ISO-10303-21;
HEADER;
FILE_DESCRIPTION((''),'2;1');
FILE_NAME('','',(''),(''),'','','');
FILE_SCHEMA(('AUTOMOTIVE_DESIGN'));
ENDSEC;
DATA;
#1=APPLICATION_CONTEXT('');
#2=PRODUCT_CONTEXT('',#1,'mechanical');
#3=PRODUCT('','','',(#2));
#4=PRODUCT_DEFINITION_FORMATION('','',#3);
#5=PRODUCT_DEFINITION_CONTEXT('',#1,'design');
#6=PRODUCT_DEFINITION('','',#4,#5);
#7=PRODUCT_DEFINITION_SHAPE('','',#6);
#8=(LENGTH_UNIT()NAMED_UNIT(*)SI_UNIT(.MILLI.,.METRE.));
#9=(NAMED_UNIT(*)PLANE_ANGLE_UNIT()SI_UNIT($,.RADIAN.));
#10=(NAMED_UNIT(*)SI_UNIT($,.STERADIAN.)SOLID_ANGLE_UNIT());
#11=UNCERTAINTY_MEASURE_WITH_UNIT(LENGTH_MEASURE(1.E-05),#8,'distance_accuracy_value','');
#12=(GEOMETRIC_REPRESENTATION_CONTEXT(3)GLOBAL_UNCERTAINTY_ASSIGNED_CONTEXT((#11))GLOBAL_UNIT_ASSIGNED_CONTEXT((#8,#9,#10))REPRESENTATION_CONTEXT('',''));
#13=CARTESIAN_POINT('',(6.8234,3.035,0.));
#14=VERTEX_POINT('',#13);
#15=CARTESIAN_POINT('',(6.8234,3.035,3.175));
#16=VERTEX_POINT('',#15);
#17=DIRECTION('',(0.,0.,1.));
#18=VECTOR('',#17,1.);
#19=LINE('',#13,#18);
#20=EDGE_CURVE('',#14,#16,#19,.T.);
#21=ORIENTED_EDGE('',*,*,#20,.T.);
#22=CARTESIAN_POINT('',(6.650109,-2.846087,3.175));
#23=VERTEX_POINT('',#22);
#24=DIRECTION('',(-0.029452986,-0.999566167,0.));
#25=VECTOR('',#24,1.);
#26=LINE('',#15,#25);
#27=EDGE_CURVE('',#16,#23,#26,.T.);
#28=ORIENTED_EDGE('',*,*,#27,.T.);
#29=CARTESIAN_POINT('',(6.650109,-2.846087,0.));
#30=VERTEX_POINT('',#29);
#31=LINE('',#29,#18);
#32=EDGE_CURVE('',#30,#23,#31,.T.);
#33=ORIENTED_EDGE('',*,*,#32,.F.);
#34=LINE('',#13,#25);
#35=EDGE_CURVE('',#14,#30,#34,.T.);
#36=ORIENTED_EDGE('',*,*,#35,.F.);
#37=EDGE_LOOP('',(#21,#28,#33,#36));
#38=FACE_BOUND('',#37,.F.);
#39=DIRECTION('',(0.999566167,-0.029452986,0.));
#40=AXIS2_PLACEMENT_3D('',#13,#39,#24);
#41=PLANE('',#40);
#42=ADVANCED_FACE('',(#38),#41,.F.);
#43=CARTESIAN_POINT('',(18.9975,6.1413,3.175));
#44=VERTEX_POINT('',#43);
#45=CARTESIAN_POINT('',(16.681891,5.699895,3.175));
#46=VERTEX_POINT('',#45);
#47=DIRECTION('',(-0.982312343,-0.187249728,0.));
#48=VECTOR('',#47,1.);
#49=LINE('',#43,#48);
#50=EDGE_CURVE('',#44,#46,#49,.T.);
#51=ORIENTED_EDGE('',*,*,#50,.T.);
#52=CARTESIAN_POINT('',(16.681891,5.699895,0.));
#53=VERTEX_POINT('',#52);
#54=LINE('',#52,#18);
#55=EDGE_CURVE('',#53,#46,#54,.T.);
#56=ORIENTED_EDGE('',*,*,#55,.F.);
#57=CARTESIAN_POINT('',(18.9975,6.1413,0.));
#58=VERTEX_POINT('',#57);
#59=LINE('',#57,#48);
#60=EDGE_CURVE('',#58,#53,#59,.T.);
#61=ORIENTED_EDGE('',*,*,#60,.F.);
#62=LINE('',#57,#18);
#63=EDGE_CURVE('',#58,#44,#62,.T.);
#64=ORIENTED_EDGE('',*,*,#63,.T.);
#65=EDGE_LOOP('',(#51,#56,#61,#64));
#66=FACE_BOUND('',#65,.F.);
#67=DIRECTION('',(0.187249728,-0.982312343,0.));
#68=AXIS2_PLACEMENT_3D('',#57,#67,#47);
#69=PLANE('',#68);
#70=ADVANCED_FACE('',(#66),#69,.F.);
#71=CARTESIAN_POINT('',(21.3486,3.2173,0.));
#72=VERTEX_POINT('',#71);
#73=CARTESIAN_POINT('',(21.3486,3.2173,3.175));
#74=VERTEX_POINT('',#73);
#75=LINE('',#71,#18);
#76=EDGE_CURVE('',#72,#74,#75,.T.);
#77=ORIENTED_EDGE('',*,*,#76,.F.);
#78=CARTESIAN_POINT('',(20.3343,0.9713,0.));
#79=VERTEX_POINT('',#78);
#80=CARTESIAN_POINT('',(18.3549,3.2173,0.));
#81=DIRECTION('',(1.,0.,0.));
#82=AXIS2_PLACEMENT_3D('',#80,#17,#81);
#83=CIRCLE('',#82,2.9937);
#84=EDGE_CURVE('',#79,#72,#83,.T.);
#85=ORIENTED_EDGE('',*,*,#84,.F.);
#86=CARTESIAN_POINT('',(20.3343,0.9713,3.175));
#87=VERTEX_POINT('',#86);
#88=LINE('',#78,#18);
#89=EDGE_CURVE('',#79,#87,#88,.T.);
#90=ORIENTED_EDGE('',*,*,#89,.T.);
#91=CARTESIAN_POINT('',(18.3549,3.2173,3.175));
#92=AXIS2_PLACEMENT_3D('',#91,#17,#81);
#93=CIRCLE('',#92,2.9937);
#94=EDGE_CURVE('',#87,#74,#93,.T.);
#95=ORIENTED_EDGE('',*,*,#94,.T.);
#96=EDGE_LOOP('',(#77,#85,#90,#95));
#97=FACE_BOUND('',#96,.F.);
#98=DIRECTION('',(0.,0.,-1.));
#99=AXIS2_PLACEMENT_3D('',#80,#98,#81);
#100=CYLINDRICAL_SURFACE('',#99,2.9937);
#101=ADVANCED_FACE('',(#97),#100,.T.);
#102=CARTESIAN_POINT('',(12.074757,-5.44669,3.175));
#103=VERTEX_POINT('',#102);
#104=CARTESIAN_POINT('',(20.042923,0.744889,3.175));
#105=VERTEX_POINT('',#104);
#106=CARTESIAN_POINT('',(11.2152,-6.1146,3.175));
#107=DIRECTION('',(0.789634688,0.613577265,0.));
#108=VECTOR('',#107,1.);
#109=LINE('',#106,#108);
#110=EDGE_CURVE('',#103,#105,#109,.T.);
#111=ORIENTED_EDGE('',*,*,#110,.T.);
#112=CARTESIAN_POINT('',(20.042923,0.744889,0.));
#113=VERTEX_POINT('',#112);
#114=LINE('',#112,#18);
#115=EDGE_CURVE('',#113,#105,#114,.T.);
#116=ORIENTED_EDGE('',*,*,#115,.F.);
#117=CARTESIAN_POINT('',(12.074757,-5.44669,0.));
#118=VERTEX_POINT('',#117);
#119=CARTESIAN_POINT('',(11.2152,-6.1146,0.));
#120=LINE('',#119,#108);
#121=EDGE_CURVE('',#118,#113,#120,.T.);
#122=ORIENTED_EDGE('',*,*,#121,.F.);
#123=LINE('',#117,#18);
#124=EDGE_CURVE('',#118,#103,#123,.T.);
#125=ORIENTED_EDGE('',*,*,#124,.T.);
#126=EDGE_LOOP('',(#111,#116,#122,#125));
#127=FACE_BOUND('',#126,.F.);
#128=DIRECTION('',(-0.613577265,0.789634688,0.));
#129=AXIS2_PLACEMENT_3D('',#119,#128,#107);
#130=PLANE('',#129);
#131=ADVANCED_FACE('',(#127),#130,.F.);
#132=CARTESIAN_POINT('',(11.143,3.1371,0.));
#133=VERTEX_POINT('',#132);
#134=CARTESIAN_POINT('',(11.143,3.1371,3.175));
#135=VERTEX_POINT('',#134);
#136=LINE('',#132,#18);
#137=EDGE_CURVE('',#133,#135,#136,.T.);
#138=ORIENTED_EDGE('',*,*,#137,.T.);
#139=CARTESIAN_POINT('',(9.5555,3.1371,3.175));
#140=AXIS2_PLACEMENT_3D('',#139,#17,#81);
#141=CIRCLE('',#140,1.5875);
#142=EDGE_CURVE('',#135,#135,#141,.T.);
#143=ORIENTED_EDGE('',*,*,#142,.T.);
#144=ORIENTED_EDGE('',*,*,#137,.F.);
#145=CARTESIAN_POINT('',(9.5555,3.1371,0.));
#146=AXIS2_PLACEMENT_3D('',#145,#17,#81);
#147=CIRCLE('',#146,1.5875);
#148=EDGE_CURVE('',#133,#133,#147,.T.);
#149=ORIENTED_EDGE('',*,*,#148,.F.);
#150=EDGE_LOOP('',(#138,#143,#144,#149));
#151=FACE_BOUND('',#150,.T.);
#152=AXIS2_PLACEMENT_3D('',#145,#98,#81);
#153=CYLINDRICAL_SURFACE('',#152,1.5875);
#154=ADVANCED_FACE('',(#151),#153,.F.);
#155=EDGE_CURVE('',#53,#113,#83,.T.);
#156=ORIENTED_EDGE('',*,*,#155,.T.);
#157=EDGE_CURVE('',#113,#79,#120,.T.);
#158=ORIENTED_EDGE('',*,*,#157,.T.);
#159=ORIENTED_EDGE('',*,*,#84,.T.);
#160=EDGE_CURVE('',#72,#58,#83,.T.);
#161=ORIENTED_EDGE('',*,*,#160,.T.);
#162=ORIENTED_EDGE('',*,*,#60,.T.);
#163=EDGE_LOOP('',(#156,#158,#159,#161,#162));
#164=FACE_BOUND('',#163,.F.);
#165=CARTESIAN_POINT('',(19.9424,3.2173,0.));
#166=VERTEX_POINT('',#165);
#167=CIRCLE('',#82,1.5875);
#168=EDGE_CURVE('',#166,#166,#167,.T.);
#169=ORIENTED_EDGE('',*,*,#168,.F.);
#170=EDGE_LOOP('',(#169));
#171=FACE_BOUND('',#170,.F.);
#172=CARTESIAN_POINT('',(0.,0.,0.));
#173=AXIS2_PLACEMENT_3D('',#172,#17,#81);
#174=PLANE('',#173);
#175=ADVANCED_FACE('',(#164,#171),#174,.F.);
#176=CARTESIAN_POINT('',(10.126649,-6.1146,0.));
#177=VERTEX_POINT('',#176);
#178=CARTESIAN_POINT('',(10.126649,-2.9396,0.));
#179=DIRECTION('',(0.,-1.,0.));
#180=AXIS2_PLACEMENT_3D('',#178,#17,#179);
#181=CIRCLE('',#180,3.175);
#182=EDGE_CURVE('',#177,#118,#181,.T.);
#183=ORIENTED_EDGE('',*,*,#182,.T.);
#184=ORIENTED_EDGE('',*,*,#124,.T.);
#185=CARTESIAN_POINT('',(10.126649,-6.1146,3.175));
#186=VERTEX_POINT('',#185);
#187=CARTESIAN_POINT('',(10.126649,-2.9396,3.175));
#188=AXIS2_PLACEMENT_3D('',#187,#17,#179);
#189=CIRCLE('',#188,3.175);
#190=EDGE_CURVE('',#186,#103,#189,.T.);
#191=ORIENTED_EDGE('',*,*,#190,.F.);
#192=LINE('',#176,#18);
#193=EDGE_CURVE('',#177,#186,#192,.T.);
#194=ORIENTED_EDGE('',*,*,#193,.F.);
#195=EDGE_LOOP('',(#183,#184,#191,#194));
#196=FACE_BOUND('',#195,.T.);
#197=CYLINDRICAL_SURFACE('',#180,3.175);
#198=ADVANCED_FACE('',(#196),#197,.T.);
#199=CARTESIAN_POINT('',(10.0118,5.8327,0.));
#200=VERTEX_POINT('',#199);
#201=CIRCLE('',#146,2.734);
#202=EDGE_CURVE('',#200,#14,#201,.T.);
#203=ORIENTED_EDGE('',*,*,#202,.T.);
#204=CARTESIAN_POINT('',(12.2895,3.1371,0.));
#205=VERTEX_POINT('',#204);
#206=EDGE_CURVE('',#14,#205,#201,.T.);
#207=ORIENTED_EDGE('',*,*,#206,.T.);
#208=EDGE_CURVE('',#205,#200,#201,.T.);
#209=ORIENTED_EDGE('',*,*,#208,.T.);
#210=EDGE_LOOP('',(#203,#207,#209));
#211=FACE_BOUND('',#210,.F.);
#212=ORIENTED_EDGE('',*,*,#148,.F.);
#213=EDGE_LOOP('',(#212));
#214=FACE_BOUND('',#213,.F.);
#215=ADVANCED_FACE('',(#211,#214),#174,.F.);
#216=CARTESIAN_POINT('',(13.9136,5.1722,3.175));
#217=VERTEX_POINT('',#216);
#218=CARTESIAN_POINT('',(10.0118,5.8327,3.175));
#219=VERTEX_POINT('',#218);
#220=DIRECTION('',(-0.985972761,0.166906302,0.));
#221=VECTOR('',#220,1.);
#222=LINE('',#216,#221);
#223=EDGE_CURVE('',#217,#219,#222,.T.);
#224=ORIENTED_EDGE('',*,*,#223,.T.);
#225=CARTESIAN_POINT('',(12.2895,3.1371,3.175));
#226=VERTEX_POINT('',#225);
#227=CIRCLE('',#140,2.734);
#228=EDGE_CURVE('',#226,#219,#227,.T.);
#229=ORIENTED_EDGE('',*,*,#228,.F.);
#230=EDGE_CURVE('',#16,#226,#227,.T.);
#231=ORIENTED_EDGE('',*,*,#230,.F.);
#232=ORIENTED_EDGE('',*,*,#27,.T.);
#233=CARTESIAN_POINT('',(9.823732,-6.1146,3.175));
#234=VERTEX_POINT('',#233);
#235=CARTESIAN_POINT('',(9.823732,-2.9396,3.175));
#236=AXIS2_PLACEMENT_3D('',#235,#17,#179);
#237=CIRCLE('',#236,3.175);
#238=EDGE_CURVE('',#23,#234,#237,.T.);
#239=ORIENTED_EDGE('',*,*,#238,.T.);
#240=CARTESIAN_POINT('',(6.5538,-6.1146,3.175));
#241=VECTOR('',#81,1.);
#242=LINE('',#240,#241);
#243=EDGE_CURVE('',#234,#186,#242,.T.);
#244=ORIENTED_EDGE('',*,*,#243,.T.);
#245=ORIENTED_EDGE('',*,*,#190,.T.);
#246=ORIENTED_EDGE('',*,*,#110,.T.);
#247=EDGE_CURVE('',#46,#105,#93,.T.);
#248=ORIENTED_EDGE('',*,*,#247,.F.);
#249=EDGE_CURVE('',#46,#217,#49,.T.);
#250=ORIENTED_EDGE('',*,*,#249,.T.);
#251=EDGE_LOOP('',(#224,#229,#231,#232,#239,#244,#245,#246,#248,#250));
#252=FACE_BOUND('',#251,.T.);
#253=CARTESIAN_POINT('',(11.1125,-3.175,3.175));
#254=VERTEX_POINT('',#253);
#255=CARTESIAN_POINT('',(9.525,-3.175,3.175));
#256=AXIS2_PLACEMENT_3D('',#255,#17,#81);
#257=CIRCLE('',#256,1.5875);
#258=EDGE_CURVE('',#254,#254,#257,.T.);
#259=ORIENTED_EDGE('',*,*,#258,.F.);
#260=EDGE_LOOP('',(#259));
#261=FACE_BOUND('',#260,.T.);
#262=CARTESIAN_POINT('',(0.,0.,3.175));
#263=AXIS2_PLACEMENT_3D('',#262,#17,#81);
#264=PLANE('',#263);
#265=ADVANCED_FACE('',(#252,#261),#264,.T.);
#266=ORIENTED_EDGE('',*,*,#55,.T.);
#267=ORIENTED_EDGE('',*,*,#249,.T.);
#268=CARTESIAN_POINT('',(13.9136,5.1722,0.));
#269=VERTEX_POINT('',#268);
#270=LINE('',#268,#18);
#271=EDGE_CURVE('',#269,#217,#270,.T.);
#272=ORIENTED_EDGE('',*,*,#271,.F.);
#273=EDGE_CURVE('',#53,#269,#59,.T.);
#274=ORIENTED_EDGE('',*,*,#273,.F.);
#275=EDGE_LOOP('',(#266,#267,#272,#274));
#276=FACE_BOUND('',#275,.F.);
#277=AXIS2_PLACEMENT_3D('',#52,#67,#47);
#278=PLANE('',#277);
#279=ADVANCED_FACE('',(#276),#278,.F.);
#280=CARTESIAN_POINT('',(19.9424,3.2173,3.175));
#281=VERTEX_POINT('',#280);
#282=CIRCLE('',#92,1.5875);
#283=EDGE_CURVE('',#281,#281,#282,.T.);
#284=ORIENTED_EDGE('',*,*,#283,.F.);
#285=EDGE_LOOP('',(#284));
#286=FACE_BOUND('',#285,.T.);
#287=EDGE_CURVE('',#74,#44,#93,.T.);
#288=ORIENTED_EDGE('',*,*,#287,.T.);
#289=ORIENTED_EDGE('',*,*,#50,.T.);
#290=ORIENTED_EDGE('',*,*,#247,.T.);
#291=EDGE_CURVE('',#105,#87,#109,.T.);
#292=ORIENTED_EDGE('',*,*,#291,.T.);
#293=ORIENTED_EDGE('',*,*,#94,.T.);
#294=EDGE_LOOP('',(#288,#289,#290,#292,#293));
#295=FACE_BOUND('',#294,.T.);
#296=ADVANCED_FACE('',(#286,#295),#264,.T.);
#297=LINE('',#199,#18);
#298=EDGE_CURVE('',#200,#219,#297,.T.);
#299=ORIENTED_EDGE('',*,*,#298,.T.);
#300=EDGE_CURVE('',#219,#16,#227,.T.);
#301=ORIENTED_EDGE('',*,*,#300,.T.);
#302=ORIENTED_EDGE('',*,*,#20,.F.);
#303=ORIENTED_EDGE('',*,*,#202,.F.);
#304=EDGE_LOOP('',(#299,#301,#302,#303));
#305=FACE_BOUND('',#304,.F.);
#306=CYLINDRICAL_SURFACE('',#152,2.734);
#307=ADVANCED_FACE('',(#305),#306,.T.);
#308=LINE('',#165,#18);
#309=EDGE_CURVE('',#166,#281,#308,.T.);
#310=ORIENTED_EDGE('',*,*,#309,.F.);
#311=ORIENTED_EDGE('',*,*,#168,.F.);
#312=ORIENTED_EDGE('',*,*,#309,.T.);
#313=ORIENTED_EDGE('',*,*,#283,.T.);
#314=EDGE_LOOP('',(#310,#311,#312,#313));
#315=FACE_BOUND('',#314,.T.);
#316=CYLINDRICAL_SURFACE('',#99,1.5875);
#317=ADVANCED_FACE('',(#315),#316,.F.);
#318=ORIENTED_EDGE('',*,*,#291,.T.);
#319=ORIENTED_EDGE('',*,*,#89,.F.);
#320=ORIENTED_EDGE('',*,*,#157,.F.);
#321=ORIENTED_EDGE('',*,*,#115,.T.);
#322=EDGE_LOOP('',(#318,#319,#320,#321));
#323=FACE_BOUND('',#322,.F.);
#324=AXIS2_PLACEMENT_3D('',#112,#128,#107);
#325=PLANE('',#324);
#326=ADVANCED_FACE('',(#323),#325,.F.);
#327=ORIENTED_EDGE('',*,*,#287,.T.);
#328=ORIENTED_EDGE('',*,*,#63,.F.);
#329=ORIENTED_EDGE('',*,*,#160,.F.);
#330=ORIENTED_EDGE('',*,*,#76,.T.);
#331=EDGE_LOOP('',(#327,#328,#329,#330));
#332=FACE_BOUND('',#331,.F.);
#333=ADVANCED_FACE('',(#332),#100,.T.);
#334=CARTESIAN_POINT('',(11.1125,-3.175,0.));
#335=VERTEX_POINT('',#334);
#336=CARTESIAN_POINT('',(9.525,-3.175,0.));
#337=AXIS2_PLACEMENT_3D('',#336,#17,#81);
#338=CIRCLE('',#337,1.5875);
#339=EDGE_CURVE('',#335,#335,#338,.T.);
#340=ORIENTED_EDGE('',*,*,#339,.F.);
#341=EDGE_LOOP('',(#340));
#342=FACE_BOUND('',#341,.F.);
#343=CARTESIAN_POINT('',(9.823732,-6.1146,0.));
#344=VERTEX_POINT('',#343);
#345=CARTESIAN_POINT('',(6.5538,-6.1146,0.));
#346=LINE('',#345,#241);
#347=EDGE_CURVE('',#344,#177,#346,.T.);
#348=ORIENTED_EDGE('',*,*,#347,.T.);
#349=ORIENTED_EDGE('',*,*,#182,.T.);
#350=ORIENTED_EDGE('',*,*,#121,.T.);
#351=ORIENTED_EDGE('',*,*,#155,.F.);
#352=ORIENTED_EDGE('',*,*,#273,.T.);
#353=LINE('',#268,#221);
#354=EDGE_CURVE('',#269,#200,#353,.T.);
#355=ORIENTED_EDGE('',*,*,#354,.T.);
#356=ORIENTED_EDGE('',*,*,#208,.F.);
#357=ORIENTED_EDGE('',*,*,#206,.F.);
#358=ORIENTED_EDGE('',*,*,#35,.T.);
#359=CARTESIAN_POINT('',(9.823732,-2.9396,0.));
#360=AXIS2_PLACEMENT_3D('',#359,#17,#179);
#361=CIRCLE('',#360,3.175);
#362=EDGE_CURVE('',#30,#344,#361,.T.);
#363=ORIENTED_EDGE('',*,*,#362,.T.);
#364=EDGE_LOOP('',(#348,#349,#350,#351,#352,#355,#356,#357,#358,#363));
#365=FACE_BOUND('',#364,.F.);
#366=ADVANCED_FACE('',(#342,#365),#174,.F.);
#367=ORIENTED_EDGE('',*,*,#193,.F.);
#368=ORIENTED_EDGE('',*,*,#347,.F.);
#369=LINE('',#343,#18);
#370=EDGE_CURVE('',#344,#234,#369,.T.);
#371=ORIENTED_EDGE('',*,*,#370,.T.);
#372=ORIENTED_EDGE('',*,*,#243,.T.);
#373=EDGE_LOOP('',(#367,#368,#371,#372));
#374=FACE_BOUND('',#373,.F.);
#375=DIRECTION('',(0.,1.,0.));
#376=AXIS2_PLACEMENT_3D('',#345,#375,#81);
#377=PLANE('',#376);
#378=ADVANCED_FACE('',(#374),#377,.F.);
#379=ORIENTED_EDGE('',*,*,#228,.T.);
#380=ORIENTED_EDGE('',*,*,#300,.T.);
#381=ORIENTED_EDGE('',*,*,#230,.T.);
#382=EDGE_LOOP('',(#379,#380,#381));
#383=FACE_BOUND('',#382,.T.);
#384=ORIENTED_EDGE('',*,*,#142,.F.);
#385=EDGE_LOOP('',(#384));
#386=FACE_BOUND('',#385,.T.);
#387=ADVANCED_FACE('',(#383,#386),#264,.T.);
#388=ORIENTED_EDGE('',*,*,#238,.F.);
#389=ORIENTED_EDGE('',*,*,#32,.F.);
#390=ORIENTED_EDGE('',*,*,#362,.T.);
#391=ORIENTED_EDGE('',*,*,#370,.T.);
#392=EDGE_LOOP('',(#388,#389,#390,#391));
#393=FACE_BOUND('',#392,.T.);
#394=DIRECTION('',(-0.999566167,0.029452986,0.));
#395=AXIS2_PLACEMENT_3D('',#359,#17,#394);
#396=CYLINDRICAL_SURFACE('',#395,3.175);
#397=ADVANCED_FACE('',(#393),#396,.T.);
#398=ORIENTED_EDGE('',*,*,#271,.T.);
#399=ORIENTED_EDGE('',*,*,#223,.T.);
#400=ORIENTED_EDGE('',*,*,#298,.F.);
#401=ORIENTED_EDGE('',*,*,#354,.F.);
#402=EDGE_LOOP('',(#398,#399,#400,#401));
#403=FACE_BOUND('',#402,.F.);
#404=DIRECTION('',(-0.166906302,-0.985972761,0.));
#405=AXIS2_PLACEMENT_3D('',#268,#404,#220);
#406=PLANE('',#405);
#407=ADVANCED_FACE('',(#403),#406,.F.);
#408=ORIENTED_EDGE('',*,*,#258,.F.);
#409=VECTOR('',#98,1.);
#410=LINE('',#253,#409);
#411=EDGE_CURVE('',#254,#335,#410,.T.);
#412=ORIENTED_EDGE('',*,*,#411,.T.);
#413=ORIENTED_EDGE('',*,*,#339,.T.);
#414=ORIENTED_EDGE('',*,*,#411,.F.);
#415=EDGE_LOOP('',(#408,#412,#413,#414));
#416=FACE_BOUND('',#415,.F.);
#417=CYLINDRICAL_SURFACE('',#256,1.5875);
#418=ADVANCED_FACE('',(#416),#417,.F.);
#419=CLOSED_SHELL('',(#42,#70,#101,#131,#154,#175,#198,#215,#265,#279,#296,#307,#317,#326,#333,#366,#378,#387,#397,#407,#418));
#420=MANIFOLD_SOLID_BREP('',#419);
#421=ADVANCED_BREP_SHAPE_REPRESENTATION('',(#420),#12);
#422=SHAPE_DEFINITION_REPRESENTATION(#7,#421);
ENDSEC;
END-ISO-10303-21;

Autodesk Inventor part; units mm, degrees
ref_plane "YZ Plane" through (0, 0, 0) normal (1, 0, 0) x (0, 1, 0)
ref_plane "XZ Plane" through (0, 0, 0) normal (0, 1, 0) x (-1, 0, 0)
ref_plane "XY Plane" through (0, 0, 0) normal (0, 0, 1) x (1, 0, 0)
sketch "Sketch1" plane through (0, 0, 0) normal (0, 0, 1) x (1, 0, 0)
  line L0 (6.8234, 3.035) -> (6.5538, -6.1146)
  line L1 (6.5538, -6.1146) -> (11.2152, -6.1146)
  line L2 (11.2152, -6.1146) -> (20.3343, 0.9713)
  circle A0 centre (18.3549, 3.2173) radius 2.9937
  circle A1 centre (18.3549, 3.2173) radius 1.5875
  line L3 (18.9975, 6.1413) -> (13.9136, 5.1722)
  circle A2 centre (9.5555, 3.1371) radius 2.734
  circle A3 centre (9.5555, 3.1371) radius 1.5875
  line L4 (13.9136, 5.1722) -> (10.0118, 5.8327)
  point P0 (0, 0)
  dimension "d0" = 3.175
  dimension "d1" = 3.175
extrude "Extrusion1" add sketch "Sketch1" along normal blind 3.175 contours A2 L4 L3 A0 L2 L1 L0 | A2 | A0 L3 L2
sketch "Sketch2" plane through (0, 0, 3.175) normal (0, 0, 1) x (1, 0, 0)
  circle A0 centre (9.525, -3.175) radius 1.5875
  point P0 (0, 0)
extrude "Extrusion2" cut sketch "Sketch2" against normal blind 3.175
fillet "Fillet1" radius 3.175 2 edges at (6.5538, -6.1146, 1.5875) (11.2152, -6.1146, 1.5875)
properties part number "UpperLever"
